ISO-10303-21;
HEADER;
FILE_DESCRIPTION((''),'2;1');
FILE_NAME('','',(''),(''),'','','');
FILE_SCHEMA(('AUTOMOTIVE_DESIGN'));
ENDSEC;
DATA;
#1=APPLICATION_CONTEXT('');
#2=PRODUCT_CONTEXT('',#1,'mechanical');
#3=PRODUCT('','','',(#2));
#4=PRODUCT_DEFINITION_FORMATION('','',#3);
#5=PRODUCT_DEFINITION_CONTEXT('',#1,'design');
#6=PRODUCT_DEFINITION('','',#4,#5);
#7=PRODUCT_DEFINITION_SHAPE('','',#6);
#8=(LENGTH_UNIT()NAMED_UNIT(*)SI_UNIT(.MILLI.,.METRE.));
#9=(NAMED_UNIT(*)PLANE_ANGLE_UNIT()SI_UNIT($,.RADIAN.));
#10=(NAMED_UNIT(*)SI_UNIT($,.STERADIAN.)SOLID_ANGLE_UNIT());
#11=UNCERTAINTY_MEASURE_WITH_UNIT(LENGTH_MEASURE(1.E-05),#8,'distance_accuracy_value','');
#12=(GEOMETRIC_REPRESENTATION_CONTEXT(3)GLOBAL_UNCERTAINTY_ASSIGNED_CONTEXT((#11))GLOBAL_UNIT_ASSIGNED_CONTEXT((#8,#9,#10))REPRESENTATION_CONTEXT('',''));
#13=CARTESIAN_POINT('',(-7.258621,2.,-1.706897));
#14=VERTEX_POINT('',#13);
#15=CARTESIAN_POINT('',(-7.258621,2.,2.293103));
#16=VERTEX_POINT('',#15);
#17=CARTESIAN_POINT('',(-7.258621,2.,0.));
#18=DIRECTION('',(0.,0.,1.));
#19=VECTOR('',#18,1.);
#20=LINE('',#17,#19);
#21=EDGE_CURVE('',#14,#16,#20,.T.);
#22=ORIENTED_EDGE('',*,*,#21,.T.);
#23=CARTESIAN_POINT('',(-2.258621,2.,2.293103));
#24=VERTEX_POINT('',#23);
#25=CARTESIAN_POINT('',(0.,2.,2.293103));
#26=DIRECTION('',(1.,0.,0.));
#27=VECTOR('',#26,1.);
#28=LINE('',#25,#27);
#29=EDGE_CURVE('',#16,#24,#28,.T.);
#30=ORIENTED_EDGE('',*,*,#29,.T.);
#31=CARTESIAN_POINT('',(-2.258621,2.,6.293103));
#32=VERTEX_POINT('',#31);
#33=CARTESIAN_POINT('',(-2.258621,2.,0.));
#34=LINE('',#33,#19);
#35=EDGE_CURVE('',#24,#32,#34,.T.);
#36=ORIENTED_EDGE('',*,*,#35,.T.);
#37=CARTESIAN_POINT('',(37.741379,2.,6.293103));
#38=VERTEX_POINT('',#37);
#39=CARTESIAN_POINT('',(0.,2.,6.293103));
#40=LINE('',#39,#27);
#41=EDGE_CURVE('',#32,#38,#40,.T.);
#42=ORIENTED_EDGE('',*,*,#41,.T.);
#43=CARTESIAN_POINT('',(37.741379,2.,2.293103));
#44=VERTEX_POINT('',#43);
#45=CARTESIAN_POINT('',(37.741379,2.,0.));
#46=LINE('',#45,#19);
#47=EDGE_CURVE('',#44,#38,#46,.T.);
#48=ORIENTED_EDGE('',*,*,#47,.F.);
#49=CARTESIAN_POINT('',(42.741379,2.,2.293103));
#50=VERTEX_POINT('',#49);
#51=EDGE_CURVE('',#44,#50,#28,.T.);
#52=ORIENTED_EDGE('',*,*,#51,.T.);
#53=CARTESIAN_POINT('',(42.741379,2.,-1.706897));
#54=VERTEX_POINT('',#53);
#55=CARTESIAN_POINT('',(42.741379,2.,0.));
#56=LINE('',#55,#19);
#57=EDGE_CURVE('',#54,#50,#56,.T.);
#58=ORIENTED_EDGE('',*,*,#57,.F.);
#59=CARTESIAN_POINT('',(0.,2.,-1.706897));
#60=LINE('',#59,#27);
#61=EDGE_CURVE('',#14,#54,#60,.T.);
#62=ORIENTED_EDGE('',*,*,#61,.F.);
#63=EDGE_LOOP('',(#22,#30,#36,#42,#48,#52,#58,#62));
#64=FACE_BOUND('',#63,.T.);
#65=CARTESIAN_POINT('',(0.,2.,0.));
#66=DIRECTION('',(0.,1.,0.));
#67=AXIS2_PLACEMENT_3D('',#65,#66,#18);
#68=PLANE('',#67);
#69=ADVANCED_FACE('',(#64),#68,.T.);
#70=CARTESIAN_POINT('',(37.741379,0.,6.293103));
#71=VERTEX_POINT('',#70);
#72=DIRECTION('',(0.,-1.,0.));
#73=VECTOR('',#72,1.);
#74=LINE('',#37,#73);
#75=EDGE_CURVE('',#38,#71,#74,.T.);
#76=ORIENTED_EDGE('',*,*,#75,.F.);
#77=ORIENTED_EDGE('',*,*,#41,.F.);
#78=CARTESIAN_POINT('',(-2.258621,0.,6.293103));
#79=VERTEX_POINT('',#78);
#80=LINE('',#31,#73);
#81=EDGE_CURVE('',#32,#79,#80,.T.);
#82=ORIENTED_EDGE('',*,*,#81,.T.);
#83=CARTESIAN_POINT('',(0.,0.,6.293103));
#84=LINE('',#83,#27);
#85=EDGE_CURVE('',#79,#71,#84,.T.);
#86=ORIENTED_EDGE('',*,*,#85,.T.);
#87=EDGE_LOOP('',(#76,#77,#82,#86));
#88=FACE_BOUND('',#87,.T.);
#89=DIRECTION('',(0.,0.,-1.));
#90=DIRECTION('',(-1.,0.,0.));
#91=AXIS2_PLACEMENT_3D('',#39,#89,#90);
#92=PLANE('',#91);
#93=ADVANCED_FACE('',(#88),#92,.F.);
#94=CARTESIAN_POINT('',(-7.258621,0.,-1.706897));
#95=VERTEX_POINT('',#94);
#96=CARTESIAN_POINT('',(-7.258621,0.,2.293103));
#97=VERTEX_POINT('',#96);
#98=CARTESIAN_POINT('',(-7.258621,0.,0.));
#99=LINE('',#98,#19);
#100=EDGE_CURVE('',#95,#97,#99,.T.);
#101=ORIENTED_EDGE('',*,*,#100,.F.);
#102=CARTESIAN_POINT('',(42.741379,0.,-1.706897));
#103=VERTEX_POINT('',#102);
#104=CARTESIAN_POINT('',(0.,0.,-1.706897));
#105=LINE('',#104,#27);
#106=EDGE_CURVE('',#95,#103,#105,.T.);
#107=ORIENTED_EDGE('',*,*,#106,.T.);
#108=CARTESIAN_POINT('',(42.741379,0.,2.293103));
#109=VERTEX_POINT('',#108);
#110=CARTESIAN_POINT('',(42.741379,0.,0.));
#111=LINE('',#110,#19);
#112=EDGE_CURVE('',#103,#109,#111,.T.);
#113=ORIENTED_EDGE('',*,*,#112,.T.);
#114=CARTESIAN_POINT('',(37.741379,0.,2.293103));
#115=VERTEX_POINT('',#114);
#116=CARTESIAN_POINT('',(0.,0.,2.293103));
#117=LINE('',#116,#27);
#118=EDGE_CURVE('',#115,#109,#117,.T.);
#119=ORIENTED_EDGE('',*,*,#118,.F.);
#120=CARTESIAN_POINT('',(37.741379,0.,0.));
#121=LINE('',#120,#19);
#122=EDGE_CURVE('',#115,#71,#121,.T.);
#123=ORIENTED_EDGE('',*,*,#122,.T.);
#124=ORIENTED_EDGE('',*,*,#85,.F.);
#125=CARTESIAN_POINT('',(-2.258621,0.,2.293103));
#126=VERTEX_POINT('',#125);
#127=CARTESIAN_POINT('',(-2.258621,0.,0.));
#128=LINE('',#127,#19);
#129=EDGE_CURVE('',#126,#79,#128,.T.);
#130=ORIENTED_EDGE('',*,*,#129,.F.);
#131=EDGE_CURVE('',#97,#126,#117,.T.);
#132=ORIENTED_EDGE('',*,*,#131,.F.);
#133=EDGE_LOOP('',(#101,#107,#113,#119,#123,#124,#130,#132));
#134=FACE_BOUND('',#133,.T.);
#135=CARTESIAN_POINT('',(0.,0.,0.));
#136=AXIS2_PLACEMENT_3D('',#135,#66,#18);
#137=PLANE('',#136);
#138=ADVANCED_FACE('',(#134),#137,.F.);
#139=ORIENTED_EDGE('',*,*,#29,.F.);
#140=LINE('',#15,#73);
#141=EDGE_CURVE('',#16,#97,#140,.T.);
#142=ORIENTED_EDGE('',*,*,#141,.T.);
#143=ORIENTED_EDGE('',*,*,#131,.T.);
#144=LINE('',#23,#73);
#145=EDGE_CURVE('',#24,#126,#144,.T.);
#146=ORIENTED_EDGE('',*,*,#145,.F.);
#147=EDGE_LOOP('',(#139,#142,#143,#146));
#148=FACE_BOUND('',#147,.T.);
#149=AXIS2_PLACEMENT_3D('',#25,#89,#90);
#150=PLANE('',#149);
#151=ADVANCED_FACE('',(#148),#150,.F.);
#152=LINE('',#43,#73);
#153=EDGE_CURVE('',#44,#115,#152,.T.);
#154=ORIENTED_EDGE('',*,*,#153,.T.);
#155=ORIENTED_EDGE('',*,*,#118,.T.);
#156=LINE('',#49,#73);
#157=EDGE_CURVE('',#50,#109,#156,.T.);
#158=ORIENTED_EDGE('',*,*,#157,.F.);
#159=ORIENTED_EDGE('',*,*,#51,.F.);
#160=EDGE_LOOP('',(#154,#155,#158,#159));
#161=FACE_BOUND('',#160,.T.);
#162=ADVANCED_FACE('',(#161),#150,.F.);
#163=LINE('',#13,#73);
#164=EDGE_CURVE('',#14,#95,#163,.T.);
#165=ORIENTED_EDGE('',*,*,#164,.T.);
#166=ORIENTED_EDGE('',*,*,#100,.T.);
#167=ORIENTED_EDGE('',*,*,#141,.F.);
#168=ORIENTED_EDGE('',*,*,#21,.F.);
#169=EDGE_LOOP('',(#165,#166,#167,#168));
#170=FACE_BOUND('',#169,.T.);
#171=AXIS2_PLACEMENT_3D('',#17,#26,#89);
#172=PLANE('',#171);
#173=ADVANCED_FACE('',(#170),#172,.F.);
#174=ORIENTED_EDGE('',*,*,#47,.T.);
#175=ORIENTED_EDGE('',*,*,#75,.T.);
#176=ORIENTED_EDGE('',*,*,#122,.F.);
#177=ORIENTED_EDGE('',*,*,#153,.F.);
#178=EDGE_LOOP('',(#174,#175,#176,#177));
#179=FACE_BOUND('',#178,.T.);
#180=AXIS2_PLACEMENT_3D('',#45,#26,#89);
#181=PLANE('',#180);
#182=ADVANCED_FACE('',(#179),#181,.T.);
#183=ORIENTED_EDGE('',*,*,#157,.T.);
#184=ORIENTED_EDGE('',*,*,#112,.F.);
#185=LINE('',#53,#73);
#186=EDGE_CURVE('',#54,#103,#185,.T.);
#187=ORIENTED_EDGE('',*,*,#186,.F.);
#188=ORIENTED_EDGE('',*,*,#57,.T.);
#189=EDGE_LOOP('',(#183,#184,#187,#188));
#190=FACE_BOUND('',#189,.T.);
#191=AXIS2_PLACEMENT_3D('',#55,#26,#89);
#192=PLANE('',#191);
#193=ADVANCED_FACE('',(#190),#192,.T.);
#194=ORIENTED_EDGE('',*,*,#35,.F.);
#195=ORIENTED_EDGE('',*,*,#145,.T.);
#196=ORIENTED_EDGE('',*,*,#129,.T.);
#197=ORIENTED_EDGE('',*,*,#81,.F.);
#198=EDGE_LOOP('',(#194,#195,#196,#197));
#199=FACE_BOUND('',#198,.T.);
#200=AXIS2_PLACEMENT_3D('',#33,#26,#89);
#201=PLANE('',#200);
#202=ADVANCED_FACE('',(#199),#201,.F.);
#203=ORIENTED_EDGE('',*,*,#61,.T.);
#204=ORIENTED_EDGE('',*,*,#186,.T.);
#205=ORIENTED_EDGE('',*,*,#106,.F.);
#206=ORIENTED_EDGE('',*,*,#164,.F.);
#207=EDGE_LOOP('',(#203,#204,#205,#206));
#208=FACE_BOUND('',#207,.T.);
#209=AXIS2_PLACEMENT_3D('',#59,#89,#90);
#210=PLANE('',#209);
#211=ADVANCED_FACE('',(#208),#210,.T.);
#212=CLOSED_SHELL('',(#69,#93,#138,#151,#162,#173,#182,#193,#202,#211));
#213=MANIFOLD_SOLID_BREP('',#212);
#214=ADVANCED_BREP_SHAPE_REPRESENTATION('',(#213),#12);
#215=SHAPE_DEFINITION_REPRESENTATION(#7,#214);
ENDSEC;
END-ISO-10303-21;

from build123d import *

# Parameters (mm, degrees)
SKETCH1_W           = 50
SKETCH1_H           = 4
SKETCH1_W_2         = 40
BOSS_EXTRUDE1_DEPTH = 2


with BuildPart() as part:
    # Sketch1 → Boss-Extrude1 (new body)
    with BuildSketch(Plane(origin=(0, 0, 0), x_dir=(1, 0, 0), z_dir=(0, 1, 0))):
        with Locations((17.74137931, -0.293103448)):
            Rectangle(SKETCH1_W, SKETCH1_H)
        with Locations((17.74137931, -4.293103448)):
            Rectangle(SKETCH1_W_2, SKETCH1_H)
    extrude(amount=BOSS_EXTRUDE1_DEPTH)


solid = part.part
